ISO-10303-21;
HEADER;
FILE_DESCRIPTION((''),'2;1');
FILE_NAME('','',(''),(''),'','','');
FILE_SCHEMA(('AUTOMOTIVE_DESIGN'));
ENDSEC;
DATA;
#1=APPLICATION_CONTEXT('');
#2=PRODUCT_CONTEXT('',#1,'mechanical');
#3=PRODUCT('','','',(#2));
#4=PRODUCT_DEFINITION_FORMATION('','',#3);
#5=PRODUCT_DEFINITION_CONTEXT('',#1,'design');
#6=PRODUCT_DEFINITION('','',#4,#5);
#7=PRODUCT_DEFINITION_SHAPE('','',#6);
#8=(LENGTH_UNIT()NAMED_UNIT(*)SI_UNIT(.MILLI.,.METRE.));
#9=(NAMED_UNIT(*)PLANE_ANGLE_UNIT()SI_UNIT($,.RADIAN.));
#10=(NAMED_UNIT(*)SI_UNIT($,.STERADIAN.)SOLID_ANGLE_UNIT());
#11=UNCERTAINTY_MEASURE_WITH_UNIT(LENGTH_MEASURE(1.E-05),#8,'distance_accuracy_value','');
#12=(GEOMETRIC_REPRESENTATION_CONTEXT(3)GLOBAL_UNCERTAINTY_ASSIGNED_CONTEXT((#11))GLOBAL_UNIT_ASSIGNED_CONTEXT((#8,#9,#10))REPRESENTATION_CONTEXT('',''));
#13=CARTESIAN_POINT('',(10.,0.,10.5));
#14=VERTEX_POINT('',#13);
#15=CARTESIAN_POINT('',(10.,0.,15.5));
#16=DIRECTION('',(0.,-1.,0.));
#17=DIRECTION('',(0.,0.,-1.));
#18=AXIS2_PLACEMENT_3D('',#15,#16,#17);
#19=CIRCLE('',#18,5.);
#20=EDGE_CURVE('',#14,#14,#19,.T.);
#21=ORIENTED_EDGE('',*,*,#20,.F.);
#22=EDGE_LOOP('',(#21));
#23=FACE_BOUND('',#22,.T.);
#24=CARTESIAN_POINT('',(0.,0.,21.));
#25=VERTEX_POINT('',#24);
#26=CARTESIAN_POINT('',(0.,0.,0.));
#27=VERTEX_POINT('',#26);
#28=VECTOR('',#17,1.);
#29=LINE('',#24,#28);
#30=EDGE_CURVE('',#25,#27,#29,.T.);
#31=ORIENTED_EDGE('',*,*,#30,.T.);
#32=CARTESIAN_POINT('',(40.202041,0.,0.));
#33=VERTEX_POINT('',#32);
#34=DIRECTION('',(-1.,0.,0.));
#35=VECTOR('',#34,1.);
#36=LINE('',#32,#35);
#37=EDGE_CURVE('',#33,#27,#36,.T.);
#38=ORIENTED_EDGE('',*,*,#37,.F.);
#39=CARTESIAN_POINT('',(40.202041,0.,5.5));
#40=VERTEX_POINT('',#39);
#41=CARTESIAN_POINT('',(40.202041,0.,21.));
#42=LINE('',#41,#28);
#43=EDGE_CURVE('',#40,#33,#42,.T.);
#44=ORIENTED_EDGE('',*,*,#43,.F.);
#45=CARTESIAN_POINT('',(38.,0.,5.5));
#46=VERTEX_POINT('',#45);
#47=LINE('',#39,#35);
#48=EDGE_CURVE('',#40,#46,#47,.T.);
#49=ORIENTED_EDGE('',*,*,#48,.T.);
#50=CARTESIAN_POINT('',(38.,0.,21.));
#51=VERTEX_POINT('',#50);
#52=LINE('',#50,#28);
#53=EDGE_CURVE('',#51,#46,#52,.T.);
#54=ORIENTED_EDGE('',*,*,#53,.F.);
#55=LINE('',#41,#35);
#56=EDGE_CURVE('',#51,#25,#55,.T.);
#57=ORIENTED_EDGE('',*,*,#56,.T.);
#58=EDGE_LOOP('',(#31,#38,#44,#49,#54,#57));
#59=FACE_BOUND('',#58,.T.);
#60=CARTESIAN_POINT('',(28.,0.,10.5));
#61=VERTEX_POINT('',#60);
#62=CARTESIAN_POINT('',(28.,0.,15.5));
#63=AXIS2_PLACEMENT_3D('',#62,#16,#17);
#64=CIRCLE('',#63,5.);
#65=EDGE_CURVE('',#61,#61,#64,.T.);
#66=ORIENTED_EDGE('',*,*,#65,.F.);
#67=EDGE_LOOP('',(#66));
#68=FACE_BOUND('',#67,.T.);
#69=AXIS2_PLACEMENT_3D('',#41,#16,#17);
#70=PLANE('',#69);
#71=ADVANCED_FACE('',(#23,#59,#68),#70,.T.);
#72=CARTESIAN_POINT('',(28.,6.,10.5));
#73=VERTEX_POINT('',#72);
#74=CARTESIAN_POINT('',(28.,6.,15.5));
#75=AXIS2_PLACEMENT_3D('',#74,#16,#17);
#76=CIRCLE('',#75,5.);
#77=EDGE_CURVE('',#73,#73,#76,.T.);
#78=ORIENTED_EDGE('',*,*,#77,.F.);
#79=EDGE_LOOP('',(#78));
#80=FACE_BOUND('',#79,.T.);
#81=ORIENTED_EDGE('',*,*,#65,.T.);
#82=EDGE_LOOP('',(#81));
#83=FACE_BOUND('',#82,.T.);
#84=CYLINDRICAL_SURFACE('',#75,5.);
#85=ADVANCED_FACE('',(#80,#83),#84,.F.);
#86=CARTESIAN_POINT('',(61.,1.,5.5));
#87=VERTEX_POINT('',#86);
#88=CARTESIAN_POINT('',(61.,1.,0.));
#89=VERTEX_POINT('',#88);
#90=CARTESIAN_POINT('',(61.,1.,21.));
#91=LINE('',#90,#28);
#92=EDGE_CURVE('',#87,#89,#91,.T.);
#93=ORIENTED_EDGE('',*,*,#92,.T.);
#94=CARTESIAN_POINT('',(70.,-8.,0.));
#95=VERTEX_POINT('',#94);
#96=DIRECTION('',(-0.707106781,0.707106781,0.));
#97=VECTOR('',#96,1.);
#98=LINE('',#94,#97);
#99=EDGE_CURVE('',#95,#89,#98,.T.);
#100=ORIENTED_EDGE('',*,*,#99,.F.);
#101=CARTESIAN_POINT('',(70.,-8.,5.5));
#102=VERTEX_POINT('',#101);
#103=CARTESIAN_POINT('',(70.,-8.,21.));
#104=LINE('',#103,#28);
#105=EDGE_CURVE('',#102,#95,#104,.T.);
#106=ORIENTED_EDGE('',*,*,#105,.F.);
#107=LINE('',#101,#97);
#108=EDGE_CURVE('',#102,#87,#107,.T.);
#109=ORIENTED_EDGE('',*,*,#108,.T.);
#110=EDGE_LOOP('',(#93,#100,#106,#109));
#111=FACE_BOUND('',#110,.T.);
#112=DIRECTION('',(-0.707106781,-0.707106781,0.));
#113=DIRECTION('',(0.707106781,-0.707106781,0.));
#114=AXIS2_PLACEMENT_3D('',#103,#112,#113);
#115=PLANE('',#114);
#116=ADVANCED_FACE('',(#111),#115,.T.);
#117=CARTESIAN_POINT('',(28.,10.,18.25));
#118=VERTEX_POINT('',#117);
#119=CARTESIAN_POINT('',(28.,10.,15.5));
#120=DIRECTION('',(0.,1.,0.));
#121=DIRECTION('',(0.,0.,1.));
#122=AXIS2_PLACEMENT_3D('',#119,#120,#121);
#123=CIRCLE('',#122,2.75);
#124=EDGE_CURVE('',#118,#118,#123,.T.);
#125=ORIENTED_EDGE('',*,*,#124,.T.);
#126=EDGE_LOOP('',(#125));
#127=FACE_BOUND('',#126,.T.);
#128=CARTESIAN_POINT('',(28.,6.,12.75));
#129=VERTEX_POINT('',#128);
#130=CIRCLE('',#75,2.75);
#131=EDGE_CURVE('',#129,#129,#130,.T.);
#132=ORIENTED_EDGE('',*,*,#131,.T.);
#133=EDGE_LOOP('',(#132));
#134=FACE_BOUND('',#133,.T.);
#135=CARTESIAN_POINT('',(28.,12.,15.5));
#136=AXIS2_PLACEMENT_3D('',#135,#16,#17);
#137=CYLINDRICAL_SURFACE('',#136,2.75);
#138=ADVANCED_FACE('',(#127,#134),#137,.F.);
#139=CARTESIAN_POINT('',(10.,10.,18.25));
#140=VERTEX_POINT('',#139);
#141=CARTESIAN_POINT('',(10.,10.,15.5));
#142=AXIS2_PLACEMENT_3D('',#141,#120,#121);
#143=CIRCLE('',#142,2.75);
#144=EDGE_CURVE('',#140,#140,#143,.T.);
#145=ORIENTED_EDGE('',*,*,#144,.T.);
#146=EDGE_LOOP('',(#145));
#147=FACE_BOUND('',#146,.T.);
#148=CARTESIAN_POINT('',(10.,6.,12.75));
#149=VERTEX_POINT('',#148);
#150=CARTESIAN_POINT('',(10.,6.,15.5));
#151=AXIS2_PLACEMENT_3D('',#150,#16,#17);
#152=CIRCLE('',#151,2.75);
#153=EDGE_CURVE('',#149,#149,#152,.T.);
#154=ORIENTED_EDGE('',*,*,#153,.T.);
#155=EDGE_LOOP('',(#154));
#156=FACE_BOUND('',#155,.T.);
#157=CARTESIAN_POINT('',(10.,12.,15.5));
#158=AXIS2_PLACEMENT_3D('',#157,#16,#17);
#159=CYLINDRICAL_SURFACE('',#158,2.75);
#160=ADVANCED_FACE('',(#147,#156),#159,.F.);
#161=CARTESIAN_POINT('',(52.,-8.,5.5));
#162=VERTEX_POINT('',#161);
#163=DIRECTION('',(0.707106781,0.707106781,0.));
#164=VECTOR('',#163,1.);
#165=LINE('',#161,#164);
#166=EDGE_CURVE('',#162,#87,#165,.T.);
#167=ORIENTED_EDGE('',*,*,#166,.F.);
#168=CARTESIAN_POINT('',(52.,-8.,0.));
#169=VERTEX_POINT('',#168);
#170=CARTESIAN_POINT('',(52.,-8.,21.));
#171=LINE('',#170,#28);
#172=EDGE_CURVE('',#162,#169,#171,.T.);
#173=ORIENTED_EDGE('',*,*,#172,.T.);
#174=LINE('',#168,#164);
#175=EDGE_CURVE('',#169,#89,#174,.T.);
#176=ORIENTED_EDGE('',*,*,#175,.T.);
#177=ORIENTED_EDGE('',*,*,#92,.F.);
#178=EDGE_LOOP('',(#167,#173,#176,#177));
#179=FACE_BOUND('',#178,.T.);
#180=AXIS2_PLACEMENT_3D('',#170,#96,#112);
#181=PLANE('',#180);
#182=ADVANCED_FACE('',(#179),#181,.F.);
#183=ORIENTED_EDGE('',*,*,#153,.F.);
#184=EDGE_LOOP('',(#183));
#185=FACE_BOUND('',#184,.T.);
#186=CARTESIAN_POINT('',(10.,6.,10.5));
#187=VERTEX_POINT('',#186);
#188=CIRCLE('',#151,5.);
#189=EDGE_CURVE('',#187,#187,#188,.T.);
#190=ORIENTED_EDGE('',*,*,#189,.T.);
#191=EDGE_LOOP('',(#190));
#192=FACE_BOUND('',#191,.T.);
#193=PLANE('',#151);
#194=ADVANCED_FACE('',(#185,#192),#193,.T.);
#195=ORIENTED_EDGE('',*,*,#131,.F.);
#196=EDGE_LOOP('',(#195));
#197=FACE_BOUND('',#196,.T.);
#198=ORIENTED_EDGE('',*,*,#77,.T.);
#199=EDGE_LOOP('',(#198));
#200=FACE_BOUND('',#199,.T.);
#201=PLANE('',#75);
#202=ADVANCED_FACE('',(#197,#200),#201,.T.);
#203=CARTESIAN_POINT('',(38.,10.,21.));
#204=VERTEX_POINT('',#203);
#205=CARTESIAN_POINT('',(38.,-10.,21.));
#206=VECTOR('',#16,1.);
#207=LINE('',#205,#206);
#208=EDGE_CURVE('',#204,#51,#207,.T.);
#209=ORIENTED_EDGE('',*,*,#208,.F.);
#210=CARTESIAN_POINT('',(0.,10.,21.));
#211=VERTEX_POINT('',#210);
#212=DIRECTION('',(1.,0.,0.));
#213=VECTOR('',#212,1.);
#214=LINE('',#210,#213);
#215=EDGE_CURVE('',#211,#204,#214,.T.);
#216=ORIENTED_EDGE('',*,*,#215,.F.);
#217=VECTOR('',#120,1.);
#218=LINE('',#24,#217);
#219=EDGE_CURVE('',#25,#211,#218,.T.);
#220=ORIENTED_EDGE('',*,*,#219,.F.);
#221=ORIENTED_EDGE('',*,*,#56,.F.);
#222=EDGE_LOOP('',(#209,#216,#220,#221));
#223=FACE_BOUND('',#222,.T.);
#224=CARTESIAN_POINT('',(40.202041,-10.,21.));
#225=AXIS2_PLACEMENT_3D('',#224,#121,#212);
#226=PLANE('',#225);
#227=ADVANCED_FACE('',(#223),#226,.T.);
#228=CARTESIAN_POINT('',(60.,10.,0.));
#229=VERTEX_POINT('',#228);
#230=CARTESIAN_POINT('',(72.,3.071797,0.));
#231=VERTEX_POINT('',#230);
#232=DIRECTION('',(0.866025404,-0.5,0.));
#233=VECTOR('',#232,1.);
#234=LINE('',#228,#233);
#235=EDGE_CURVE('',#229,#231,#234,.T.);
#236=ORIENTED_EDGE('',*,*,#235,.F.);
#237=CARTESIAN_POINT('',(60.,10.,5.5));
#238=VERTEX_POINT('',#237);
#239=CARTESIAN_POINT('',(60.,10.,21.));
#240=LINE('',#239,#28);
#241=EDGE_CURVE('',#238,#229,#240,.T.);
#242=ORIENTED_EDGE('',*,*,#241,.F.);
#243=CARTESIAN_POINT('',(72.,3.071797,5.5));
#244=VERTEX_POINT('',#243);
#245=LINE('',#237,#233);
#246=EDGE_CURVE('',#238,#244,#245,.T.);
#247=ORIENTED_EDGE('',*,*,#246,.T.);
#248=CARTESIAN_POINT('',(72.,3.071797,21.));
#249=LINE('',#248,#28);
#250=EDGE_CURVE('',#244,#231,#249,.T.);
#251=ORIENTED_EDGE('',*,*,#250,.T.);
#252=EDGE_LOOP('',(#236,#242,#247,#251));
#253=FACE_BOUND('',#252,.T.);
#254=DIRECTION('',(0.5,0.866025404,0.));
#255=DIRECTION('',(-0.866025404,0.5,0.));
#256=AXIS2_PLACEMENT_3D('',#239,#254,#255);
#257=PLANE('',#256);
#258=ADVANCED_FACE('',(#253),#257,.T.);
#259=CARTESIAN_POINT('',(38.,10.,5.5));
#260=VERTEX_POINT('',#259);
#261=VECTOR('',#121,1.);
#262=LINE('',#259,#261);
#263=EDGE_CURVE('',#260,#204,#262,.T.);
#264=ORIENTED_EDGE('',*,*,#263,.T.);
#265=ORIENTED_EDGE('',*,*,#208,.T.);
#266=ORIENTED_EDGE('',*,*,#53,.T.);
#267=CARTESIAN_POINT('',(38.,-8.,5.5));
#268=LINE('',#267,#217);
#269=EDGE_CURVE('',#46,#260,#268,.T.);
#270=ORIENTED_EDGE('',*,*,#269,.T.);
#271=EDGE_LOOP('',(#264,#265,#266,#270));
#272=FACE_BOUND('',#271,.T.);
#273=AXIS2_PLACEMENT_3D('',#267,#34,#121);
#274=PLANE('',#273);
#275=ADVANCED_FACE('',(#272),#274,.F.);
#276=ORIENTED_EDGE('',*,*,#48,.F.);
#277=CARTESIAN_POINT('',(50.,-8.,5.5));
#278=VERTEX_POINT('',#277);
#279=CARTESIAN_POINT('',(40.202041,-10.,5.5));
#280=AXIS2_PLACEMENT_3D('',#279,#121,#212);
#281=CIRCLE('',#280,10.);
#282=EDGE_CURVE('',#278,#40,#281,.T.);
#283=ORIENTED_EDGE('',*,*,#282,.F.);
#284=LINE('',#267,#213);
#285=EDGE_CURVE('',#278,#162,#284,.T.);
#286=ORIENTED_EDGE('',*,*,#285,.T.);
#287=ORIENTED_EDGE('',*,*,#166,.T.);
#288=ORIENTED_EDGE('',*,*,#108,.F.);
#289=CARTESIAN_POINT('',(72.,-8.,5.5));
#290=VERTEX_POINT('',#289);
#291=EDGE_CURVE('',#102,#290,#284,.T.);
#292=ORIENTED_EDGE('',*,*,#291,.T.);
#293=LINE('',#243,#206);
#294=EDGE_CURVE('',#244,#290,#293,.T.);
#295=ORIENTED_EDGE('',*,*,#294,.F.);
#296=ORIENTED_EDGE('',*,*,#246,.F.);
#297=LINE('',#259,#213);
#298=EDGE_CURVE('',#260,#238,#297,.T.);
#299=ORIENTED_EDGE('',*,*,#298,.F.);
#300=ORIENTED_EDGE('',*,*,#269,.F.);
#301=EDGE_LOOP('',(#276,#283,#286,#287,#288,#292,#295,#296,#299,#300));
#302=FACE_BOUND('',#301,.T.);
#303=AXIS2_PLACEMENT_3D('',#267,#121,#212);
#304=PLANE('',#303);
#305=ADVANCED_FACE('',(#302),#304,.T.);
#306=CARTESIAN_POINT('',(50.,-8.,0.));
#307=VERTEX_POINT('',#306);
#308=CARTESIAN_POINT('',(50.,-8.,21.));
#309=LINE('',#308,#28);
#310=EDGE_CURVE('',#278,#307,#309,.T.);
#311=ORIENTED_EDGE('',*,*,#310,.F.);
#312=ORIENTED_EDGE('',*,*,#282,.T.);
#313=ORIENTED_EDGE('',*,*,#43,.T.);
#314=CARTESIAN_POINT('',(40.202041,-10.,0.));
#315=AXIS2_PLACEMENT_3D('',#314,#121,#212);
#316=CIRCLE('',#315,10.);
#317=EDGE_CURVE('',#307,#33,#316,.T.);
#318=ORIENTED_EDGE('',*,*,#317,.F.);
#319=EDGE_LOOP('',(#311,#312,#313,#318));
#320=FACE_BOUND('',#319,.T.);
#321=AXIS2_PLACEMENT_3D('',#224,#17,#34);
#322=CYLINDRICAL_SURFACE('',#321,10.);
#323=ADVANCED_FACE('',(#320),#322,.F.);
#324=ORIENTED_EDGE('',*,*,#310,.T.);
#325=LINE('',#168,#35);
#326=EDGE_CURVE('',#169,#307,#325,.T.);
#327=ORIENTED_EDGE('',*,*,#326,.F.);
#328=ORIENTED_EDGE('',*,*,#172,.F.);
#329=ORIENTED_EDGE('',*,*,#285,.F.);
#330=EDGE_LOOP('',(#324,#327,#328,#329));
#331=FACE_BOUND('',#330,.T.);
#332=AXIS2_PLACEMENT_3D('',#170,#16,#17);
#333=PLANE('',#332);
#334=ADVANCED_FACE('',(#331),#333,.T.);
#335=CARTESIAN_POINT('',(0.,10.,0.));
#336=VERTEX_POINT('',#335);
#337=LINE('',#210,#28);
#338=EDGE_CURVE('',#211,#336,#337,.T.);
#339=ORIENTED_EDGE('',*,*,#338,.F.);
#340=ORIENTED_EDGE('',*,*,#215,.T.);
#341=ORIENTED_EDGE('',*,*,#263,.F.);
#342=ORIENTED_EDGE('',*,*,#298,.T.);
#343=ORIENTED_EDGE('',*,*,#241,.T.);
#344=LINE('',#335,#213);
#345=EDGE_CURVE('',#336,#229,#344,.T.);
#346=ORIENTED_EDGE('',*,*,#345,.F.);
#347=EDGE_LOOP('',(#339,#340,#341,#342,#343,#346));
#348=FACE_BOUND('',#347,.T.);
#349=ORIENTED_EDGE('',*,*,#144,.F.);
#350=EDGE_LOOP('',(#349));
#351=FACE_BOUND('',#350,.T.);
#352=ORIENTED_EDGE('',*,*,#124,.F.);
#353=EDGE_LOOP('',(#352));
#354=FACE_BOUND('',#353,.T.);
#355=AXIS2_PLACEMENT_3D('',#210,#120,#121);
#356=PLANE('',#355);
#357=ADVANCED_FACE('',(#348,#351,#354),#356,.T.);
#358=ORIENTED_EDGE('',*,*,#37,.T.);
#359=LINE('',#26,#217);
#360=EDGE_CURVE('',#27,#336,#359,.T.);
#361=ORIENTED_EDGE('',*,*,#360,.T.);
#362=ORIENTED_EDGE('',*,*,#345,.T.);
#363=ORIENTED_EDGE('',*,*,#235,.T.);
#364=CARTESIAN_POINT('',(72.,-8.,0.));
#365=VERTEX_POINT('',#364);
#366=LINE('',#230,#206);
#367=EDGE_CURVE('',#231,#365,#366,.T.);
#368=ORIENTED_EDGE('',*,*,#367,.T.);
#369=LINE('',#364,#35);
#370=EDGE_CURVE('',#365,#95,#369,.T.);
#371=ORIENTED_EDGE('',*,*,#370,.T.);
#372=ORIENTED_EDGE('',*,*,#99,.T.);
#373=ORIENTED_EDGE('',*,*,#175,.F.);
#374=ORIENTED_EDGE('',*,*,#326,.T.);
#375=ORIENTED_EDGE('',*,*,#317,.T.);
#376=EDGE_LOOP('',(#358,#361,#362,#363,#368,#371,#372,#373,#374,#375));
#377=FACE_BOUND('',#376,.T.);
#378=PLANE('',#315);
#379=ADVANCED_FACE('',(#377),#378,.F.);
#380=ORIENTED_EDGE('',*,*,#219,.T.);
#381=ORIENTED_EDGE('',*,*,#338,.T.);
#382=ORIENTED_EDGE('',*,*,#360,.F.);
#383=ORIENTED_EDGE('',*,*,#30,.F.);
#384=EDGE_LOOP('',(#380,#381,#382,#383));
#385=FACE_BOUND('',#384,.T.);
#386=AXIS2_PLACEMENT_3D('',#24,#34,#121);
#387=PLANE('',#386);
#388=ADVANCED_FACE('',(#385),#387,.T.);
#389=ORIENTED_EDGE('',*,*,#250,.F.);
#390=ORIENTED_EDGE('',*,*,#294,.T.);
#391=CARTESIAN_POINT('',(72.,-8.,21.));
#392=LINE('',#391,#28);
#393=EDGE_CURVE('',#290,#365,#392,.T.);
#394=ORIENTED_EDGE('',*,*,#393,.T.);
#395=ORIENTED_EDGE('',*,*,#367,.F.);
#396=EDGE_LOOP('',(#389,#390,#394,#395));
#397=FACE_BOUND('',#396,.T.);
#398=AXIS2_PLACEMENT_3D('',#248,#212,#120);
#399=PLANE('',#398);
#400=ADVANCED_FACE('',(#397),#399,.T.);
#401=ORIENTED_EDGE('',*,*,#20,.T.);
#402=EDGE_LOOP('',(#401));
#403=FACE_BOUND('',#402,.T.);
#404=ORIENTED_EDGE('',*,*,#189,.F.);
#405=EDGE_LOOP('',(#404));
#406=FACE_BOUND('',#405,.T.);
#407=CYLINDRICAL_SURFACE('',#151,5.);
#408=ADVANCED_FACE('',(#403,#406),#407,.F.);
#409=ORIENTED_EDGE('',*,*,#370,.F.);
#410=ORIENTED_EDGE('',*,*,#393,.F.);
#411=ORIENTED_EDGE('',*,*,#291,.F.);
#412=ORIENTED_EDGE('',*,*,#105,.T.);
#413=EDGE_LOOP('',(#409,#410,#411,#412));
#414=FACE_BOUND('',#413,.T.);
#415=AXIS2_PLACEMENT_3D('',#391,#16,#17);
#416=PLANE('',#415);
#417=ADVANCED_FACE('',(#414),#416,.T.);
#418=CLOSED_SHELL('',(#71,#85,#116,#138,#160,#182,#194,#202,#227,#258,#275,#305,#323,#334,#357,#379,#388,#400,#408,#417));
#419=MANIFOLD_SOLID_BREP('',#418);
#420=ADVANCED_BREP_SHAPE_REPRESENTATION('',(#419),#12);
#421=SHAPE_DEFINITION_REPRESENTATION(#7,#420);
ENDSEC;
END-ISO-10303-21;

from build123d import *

# Parameters (mm, degrees)
BASE_EXTRUSION_DEPTH    = 21
ESQUISSE2_W             = 56.002380091
ESQUISSE2_H             = 20.539256902
ENL_V_MAT_EXTRU_1_DEPTH = 78.129760793
ESQUISSE3_R             = 5
ENL_V_MAT_EXTRU_2_DEPTH = 6
ESQUISSE4_R             = 2.75
ENL_V_MAT_EXTRU_3_DEPTH = 6


with BuildPart() as part:
    # Esquisse1 → Base-Extrusion (new body)
    with BuildSketch(Plane.XY):
        with BuildLine():
            Line((0, 0), (0, 10))
            Line((0, 10), (60, 10))
            Line((60, 10), (72, 3.07179677))
            Line((72, 3.07179677), (72, -8))
            Line((72, -8), (70, -8))
            Line((70, -8), (61, 1))
            Line((61, 1), (52, -8))
            Line((52, -8), (50, -8))
            ThreePointArc((50, -8), (46.526596349, -2.254033308), (40.202041029, 0))
            Line((40.202041029, 0), (0, 0))
        make_face()
    extrude(amount=BASE_EXTRUSION_DEPTH)

    # Esquisse2 → Enlèv. mat.-Extru.1 (cut, through all)
    with BuildSketch(Plane(origin=(0, 10, 0), x_dir=(-1, 0, 0), z_dir=(0, 1, 0))):
        with Locations((-66.001190046, 15.769628451)):
            Rectangle(ESQUISSE2_W, ESQUISSE2_H)
    extrude(amount=-ENL_V_MAT_EXTRU_1_DEPTH, mode=Mode.SUBTRACT)

    # Esquisse3 → Enlèv. mat.-Extru.2 (cut)
    with BuildSketch(Plane.XZ):
        with Locations(Location((28, 15.5, 0), (0, 0, 270))):
            Circle(ESQUISSE3_R)
        with Locations(Location((10, 15.5, 0), (0, 0, 270))):
            Circle(ESQUISSE3_R)
    extrude(amount=-ENL_V_MAT_EXTRU_2_DEPTH, mode=Mode.SUBTRACT)

    # Esquisse4 → Enlèv. mat.-Extru.3 (cut)
    with BuildSketch(Plane.XZ.offset(-6)):
        with Locations(Location((28, 15.5, 0), (0, 0, 270))):
            Circle(ESQUISSE4_R)
        with Locations(Location((10, 15.5, 0), (0, 0, 270))):
            Circle(ESQUISSE4_R)
    extrude(amount=-ENL_V_MAT_EXTRU_3_DEPTH, mode=Mode.SUBTRACT)


solid = part.part
